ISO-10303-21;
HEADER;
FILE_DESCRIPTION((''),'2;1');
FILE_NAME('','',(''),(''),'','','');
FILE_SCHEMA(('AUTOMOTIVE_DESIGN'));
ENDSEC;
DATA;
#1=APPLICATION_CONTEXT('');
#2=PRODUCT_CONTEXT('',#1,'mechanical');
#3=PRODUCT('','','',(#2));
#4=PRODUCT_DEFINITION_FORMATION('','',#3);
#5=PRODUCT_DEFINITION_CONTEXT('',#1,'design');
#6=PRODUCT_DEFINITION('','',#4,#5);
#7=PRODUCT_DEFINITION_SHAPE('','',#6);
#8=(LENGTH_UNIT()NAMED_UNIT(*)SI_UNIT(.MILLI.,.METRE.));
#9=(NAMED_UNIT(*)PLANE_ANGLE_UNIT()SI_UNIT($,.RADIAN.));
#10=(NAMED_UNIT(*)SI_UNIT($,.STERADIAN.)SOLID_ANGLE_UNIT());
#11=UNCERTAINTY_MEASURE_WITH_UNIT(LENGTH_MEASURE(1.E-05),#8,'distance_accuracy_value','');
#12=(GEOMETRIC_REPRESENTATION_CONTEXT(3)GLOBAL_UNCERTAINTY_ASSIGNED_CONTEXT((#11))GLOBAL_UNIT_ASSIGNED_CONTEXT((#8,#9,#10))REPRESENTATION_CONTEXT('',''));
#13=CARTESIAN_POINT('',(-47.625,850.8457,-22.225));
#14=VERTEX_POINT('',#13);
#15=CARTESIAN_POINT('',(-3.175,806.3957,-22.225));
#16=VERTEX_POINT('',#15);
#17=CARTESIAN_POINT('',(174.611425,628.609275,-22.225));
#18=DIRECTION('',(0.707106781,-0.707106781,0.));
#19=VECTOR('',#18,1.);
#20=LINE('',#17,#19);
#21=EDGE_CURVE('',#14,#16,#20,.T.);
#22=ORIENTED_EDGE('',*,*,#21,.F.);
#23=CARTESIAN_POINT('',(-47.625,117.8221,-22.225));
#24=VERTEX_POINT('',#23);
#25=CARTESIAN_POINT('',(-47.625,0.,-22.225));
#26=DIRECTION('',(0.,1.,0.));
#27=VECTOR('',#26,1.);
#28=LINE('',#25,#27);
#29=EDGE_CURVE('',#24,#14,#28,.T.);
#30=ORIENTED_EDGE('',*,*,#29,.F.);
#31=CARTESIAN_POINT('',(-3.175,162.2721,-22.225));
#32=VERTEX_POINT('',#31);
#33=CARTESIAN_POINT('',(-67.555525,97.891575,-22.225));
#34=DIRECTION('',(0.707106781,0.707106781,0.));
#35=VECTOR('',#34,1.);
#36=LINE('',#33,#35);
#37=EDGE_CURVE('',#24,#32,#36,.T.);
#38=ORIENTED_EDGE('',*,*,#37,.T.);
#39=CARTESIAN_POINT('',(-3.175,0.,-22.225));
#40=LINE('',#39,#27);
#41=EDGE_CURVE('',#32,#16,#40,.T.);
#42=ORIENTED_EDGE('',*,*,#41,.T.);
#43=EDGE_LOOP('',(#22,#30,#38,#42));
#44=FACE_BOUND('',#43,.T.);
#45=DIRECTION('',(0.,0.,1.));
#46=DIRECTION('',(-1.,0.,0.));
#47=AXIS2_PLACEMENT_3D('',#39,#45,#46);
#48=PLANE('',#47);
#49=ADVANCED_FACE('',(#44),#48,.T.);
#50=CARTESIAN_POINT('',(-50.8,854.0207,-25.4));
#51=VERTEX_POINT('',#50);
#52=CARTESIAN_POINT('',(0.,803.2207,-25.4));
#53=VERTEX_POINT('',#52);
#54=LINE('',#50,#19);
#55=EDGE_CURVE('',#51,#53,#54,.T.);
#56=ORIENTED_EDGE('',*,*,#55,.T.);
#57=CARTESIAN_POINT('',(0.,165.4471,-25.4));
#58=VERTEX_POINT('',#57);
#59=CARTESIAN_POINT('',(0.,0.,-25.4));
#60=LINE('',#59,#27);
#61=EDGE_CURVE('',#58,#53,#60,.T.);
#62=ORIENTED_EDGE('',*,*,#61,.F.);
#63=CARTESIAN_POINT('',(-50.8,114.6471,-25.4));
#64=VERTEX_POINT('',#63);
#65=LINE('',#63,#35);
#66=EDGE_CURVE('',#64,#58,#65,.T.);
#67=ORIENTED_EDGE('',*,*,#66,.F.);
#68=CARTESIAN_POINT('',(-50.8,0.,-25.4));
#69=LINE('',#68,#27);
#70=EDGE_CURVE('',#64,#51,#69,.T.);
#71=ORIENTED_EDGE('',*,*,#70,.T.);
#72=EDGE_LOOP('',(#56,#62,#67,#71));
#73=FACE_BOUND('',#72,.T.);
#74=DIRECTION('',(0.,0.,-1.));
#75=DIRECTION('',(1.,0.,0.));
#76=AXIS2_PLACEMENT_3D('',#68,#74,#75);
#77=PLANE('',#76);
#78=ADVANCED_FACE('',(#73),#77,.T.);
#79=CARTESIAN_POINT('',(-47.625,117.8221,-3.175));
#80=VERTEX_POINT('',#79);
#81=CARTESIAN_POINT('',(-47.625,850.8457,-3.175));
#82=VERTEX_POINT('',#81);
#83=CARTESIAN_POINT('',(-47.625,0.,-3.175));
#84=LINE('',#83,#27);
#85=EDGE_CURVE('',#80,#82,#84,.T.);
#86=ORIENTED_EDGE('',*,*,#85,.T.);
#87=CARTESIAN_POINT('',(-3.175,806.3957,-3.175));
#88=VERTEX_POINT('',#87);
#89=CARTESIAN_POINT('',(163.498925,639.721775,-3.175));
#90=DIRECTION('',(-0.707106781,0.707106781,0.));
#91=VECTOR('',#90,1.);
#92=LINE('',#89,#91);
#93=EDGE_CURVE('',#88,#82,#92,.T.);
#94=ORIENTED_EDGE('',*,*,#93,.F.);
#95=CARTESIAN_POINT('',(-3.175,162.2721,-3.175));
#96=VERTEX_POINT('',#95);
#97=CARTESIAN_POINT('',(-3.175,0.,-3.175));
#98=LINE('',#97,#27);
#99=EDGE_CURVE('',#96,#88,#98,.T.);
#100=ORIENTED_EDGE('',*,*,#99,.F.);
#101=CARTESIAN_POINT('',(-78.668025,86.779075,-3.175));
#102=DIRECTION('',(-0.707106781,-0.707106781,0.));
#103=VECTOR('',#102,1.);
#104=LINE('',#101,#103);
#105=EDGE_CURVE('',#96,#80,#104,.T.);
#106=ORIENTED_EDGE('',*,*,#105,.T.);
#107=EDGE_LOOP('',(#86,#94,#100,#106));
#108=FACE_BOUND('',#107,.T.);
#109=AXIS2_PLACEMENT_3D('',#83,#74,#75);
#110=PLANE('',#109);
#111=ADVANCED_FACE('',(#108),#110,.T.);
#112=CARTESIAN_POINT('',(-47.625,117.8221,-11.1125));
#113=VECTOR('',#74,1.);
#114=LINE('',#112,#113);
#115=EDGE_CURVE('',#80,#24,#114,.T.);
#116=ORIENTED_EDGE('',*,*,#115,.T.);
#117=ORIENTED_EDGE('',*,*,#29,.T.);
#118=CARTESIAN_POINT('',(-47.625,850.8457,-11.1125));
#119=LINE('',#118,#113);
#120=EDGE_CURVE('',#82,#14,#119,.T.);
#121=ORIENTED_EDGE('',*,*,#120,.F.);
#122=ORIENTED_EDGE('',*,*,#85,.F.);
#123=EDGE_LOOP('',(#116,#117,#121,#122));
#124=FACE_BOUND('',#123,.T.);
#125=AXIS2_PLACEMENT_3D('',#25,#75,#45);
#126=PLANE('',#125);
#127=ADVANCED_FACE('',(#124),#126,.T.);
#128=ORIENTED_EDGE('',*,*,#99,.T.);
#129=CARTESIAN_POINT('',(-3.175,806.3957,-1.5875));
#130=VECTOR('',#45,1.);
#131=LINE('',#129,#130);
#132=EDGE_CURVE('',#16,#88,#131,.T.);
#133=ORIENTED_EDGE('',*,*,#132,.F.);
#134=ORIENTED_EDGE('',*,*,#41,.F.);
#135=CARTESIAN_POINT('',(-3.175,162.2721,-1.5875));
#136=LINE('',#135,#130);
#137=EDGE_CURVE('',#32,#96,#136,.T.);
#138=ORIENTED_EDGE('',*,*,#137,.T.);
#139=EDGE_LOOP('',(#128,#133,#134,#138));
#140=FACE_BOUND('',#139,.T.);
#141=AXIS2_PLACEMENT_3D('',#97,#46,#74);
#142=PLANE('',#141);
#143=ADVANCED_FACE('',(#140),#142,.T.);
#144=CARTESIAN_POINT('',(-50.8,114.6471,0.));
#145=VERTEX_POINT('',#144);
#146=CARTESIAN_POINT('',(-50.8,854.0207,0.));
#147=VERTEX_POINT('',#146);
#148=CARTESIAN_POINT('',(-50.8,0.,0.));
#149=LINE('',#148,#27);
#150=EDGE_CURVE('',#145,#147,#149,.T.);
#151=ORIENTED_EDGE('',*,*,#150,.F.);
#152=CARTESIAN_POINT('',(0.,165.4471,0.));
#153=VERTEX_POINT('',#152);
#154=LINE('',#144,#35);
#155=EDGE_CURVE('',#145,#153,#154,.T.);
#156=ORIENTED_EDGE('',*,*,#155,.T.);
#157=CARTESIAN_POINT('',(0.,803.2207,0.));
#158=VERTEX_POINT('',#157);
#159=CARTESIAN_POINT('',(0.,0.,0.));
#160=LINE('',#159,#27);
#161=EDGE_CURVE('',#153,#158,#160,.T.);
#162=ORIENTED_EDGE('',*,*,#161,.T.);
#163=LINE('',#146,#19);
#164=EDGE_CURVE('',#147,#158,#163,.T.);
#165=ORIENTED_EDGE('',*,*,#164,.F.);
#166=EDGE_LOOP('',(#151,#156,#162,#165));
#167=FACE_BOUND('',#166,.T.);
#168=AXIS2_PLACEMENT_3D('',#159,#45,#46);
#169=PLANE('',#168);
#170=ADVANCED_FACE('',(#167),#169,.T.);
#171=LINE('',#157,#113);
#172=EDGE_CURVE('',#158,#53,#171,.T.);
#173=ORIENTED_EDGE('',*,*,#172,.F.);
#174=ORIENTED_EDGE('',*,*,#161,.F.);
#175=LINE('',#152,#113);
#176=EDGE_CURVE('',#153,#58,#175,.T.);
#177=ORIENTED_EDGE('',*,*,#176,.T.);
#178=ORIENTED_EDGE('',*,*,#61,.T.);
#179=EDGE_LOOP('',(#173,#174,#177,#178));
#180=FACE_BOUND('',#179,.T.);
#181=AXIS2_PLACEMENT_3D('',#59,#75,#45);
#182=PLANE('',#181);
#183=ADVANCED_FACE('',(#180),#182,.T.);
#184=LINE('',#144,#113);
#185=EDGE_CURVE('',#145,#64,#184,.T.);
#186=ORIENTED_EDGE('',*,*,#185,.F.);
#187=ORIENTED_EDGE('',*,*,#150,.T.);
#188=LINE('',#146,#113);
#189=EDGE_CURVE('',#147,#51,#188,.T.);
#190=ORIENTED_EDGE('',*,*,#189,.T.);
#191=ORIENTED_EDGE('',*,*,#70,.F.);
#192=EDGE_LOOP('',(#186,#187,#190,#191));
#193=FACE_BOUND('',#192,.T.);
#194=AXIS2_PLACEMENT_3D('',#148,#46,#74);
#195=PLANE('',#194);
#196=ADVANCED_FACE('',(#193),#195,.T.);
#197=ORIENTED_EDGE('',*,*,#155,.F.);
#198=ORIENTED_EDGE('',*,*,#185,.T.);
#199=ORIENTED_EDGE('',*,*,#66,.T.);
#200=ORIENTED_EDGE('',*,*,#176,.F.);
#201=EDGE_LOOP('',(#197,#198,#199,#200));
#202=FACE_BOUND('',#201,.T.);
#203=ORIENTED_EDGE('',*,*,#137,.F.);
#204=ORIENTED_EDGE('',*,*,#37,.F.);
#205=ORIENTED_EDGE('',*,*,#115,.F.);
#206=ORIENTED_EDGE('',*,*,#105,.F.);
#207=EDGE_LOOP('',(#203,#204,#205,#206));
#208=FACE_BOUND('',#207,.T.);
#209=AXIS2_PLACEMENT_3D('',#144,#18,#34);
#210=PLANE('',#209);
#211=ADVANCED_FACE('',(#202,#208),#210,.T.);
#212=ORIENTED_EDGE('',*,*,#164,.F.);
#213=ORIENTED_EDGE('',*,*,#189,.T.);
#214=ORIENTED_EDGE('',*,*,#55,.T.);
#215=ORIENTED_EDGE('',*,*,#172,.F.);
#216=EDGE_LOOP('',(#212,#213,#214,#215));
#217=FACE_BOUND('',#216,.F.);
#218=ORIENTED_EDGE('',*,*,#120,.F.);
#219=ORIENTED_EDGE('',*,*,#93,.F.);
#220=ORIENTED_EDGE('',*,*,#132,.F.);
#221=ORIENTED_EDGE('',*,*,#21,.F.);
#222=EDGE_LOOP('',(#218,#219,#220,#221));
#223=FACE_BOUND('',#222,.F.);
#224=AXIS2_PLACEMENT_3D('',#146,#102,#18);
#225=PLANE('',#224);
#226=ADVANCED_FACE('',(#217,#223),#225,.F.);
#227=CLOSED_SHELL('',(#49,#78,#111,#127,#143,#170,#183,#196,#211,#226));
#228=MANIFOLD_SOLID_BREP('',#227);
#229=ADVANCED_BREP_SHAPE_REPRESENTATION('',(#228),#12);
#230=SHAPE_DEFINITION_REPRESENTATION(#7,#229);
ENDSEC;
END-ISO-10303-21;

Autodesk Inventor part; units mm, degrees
ref_plane "YZ Plane" through (0, 0, 0) normal (1, 0, 0) x (0, 1, 0)
ref_plane "XZ Plane" through (0, 0, 0) normal (0, 1, 0) x (-1, 0, 0)
ref_plane "XY Plane" through (0, 0, 0) normal (0, 0, 1) x (1, 0, 0)
sketch "Sketch1" plane through (0, 0, 0) normal (0, 1, 0) x (-1, 0, 0)
  line L0 (0, 0) -> (50.8, 0)
  line L1 (50.8, 0) -> (50.8, -25.4)
  line L2 (50.8, -25.4) -> (0, -25.4)
  line L3 (0, -25.4) -> (0, 0)
  line L4 (47.625, -22.225) -> (47.625, -3.175)
  line L5 (47.625, -3.175) -> (3.175, -3.175)
  line L6 (3.175, -3.175) -> (3.175, -22.225)
  line L7 (3.175, -22.225) -> (47.625, -22.225)
  dimension "d0" = 50.8
  dimension "d1" = 25.4
  dimension "d2" = 3.175
extrude "Extrusion1" add sketch "Sketch1" along normal blind 886.206
sketch "Sketch2" plane through (-50.8, 0, 0) normal (0, 0, 1) x (1, 0, 0)
  line L0 (50.8, 0) -> (0, 0) projected
  line L1 (50.8, 0) -> (50.8, 886.206) projected
  line L2 (0, 886.206) -> (50.8, 886.206) projected
  line L3 (0, 0) -> (0, 886.206) projected
  line L4 (0, 0) -> (50.8, 0) projected
  line L5 (50.8, 0) -> (0, 56.4191)
  line L6 (0, 56.4191) -> (50.8, 56.4191)
  line L7 (50.8, 56.4191) -> (50.8, 0)
  line L8 (50.8, 0) -> (0, 0)
  line L9 (0, 0) -> (0, 56.4191)
  line L10 (0, 56.4191) -> (50.8, 0)
  line L11 (0, 56.4191) -> (21.859, 0)
  line L12 (47.625, 0) -> (3.175, 0) projected
  dimension "d5" = 48
extrude "Extrusion2" cut sketch "Sketch2" against normal blind 914.4 contours L0 L11 L5 | L11 L0 L3
sketch "Sketch3" plane through (-50.8, 886.206, 0) normal (0, 0, 1) x (1, 0, 0)
  line L0 (0, -829.7869) -> (50.8, -886.206) projected
  line L1 (50.8, -886.206) -> (50.8, 0) projected
  line L2 (0, 0) -> (50.8, 0) projected
  line L3 (0, -829.7869) -> (0, 0) projected
  line L4 (0, -829.7869) -> (50.8, -886.206) projected
  line L5 (0, -829.7869) -> (50.8, -778.9869)
  line L6 (50.8, -886.206) -> (50.8, 0) projected
  line L7 (0, -829.7869) -> (0, 0) projected
  line L8 (50.8, -886.206) -> (0, -886.206)
  line L9 (0, -886.206) -> (0, -923.3654)
  line L10 (0, -923.3654) -> (50.8, -923.3654)
  line L11 (50.8, -923.3654) -> (50.8, -886.206)
  dimension "d8" = 93
extrude "Extrusion3" cut sketch "Sketch3" against normal blind 25.4 contours L5 L1 L0
sketch "Sketch4" plane through (-50.8, 886.206, 0) normal (0, 0, 1) x (1, 0, 0)
  line L0 (0, -829.7869) -> (50.8, -778.9869) projected
  line L1 (50.8, -778.9869) -> (50.8, 0) projected
  line L2 (0, 0) -> (50.8, 0) projected
  line L3 (0, -829.7869) -> (0, 0) projected
  line L4 (0, 0) -> (50.8, 0) projected
  line L5 (0, 0) -> (50.8, 0)
  line L6 (50.8, 0) -> (50.8, -221.7928)
  line L7 (50.8, -221.7928) -> (0, -221.7928)
  line L8 (0, -221.7928) -> (0, 0)
  line L9 (0, -829.7869) -> (0, 0) projected
  line L10 (0, 0) -> (50.8, -50.8)
  line L11 (50.8, 0) -> (0, 0)
  line L12 (0, 0) -> (0, -56.4191)
  line L13 (0, -56.4191) -> (50.8, -56.4191)
  line L14 (50.8, -56.4191) -> (50.8, 0)
  point P0 (50.8, -886.206)
  dimension "d11" = 221.7928
  dimension "d12" = 45
  dimension "d13" = 56.4191
extrude "Extrusion4" cut sketch "Sketch4" against normal blind 25.4 contours L2 L1 L10
sketch "Sketch8" plane through (-50.8, 56.4191, 0) normal (0, 0, 1) x (1, 0, 0)
  line L0 (50.8, 778.9869) -> (0, 829.7869) projected
  line L1 (0, 0) -> (0, 829.7869) projected
  line L2 (0, 0) -> (50.8, 50.8) projected
  line L3 (50.8, 50.8) -> (50.8, 778.9869) projected
  line L4 (0, 797.6016) -> (50.8, 746.8016)
  point P0 (50.8, -56.4191)
  dimension "d24" = 22.7584
extrude "Extrusion8" cut sketch "Sketch8" against normal blind 25.4 contours L3 L4 L1 L0
sketch "Sketch9" plane through (-50.8, 56.4191, 0) normal (0, 0, 1) x (1, 0, 0)
  line L0 (50.8, 746.8016) -> (0, 797.6016) projected
  line L1 (0, 0) -> (0, 797.6016) projected
  line L2 (0, 0) -> (50.8, 50.8) projected
  line L3 (50.8, 50.8) -> (50.8, 746.8016) projected
  line L4 (0, 0) -> (0, 797.6016) projected
  line L5 (0, 58.228) -> (50.8, 109.028)
  line L6 (50.8, 50.8) -> (50.8, 746.8016) projected
  line L7 (0, 0) -> (50.8, 50.8) projected
  point P0 (50.8, -56.4191)
  dimension "d27" = 41.1734
extrude "Extrusion9" cut sketch "Sketch9" against normal blind 25.4 contours L3 L2 L1 L5
properties part number "AngleBrace.ver1-1111-2020" material "Aluminum 6061"
